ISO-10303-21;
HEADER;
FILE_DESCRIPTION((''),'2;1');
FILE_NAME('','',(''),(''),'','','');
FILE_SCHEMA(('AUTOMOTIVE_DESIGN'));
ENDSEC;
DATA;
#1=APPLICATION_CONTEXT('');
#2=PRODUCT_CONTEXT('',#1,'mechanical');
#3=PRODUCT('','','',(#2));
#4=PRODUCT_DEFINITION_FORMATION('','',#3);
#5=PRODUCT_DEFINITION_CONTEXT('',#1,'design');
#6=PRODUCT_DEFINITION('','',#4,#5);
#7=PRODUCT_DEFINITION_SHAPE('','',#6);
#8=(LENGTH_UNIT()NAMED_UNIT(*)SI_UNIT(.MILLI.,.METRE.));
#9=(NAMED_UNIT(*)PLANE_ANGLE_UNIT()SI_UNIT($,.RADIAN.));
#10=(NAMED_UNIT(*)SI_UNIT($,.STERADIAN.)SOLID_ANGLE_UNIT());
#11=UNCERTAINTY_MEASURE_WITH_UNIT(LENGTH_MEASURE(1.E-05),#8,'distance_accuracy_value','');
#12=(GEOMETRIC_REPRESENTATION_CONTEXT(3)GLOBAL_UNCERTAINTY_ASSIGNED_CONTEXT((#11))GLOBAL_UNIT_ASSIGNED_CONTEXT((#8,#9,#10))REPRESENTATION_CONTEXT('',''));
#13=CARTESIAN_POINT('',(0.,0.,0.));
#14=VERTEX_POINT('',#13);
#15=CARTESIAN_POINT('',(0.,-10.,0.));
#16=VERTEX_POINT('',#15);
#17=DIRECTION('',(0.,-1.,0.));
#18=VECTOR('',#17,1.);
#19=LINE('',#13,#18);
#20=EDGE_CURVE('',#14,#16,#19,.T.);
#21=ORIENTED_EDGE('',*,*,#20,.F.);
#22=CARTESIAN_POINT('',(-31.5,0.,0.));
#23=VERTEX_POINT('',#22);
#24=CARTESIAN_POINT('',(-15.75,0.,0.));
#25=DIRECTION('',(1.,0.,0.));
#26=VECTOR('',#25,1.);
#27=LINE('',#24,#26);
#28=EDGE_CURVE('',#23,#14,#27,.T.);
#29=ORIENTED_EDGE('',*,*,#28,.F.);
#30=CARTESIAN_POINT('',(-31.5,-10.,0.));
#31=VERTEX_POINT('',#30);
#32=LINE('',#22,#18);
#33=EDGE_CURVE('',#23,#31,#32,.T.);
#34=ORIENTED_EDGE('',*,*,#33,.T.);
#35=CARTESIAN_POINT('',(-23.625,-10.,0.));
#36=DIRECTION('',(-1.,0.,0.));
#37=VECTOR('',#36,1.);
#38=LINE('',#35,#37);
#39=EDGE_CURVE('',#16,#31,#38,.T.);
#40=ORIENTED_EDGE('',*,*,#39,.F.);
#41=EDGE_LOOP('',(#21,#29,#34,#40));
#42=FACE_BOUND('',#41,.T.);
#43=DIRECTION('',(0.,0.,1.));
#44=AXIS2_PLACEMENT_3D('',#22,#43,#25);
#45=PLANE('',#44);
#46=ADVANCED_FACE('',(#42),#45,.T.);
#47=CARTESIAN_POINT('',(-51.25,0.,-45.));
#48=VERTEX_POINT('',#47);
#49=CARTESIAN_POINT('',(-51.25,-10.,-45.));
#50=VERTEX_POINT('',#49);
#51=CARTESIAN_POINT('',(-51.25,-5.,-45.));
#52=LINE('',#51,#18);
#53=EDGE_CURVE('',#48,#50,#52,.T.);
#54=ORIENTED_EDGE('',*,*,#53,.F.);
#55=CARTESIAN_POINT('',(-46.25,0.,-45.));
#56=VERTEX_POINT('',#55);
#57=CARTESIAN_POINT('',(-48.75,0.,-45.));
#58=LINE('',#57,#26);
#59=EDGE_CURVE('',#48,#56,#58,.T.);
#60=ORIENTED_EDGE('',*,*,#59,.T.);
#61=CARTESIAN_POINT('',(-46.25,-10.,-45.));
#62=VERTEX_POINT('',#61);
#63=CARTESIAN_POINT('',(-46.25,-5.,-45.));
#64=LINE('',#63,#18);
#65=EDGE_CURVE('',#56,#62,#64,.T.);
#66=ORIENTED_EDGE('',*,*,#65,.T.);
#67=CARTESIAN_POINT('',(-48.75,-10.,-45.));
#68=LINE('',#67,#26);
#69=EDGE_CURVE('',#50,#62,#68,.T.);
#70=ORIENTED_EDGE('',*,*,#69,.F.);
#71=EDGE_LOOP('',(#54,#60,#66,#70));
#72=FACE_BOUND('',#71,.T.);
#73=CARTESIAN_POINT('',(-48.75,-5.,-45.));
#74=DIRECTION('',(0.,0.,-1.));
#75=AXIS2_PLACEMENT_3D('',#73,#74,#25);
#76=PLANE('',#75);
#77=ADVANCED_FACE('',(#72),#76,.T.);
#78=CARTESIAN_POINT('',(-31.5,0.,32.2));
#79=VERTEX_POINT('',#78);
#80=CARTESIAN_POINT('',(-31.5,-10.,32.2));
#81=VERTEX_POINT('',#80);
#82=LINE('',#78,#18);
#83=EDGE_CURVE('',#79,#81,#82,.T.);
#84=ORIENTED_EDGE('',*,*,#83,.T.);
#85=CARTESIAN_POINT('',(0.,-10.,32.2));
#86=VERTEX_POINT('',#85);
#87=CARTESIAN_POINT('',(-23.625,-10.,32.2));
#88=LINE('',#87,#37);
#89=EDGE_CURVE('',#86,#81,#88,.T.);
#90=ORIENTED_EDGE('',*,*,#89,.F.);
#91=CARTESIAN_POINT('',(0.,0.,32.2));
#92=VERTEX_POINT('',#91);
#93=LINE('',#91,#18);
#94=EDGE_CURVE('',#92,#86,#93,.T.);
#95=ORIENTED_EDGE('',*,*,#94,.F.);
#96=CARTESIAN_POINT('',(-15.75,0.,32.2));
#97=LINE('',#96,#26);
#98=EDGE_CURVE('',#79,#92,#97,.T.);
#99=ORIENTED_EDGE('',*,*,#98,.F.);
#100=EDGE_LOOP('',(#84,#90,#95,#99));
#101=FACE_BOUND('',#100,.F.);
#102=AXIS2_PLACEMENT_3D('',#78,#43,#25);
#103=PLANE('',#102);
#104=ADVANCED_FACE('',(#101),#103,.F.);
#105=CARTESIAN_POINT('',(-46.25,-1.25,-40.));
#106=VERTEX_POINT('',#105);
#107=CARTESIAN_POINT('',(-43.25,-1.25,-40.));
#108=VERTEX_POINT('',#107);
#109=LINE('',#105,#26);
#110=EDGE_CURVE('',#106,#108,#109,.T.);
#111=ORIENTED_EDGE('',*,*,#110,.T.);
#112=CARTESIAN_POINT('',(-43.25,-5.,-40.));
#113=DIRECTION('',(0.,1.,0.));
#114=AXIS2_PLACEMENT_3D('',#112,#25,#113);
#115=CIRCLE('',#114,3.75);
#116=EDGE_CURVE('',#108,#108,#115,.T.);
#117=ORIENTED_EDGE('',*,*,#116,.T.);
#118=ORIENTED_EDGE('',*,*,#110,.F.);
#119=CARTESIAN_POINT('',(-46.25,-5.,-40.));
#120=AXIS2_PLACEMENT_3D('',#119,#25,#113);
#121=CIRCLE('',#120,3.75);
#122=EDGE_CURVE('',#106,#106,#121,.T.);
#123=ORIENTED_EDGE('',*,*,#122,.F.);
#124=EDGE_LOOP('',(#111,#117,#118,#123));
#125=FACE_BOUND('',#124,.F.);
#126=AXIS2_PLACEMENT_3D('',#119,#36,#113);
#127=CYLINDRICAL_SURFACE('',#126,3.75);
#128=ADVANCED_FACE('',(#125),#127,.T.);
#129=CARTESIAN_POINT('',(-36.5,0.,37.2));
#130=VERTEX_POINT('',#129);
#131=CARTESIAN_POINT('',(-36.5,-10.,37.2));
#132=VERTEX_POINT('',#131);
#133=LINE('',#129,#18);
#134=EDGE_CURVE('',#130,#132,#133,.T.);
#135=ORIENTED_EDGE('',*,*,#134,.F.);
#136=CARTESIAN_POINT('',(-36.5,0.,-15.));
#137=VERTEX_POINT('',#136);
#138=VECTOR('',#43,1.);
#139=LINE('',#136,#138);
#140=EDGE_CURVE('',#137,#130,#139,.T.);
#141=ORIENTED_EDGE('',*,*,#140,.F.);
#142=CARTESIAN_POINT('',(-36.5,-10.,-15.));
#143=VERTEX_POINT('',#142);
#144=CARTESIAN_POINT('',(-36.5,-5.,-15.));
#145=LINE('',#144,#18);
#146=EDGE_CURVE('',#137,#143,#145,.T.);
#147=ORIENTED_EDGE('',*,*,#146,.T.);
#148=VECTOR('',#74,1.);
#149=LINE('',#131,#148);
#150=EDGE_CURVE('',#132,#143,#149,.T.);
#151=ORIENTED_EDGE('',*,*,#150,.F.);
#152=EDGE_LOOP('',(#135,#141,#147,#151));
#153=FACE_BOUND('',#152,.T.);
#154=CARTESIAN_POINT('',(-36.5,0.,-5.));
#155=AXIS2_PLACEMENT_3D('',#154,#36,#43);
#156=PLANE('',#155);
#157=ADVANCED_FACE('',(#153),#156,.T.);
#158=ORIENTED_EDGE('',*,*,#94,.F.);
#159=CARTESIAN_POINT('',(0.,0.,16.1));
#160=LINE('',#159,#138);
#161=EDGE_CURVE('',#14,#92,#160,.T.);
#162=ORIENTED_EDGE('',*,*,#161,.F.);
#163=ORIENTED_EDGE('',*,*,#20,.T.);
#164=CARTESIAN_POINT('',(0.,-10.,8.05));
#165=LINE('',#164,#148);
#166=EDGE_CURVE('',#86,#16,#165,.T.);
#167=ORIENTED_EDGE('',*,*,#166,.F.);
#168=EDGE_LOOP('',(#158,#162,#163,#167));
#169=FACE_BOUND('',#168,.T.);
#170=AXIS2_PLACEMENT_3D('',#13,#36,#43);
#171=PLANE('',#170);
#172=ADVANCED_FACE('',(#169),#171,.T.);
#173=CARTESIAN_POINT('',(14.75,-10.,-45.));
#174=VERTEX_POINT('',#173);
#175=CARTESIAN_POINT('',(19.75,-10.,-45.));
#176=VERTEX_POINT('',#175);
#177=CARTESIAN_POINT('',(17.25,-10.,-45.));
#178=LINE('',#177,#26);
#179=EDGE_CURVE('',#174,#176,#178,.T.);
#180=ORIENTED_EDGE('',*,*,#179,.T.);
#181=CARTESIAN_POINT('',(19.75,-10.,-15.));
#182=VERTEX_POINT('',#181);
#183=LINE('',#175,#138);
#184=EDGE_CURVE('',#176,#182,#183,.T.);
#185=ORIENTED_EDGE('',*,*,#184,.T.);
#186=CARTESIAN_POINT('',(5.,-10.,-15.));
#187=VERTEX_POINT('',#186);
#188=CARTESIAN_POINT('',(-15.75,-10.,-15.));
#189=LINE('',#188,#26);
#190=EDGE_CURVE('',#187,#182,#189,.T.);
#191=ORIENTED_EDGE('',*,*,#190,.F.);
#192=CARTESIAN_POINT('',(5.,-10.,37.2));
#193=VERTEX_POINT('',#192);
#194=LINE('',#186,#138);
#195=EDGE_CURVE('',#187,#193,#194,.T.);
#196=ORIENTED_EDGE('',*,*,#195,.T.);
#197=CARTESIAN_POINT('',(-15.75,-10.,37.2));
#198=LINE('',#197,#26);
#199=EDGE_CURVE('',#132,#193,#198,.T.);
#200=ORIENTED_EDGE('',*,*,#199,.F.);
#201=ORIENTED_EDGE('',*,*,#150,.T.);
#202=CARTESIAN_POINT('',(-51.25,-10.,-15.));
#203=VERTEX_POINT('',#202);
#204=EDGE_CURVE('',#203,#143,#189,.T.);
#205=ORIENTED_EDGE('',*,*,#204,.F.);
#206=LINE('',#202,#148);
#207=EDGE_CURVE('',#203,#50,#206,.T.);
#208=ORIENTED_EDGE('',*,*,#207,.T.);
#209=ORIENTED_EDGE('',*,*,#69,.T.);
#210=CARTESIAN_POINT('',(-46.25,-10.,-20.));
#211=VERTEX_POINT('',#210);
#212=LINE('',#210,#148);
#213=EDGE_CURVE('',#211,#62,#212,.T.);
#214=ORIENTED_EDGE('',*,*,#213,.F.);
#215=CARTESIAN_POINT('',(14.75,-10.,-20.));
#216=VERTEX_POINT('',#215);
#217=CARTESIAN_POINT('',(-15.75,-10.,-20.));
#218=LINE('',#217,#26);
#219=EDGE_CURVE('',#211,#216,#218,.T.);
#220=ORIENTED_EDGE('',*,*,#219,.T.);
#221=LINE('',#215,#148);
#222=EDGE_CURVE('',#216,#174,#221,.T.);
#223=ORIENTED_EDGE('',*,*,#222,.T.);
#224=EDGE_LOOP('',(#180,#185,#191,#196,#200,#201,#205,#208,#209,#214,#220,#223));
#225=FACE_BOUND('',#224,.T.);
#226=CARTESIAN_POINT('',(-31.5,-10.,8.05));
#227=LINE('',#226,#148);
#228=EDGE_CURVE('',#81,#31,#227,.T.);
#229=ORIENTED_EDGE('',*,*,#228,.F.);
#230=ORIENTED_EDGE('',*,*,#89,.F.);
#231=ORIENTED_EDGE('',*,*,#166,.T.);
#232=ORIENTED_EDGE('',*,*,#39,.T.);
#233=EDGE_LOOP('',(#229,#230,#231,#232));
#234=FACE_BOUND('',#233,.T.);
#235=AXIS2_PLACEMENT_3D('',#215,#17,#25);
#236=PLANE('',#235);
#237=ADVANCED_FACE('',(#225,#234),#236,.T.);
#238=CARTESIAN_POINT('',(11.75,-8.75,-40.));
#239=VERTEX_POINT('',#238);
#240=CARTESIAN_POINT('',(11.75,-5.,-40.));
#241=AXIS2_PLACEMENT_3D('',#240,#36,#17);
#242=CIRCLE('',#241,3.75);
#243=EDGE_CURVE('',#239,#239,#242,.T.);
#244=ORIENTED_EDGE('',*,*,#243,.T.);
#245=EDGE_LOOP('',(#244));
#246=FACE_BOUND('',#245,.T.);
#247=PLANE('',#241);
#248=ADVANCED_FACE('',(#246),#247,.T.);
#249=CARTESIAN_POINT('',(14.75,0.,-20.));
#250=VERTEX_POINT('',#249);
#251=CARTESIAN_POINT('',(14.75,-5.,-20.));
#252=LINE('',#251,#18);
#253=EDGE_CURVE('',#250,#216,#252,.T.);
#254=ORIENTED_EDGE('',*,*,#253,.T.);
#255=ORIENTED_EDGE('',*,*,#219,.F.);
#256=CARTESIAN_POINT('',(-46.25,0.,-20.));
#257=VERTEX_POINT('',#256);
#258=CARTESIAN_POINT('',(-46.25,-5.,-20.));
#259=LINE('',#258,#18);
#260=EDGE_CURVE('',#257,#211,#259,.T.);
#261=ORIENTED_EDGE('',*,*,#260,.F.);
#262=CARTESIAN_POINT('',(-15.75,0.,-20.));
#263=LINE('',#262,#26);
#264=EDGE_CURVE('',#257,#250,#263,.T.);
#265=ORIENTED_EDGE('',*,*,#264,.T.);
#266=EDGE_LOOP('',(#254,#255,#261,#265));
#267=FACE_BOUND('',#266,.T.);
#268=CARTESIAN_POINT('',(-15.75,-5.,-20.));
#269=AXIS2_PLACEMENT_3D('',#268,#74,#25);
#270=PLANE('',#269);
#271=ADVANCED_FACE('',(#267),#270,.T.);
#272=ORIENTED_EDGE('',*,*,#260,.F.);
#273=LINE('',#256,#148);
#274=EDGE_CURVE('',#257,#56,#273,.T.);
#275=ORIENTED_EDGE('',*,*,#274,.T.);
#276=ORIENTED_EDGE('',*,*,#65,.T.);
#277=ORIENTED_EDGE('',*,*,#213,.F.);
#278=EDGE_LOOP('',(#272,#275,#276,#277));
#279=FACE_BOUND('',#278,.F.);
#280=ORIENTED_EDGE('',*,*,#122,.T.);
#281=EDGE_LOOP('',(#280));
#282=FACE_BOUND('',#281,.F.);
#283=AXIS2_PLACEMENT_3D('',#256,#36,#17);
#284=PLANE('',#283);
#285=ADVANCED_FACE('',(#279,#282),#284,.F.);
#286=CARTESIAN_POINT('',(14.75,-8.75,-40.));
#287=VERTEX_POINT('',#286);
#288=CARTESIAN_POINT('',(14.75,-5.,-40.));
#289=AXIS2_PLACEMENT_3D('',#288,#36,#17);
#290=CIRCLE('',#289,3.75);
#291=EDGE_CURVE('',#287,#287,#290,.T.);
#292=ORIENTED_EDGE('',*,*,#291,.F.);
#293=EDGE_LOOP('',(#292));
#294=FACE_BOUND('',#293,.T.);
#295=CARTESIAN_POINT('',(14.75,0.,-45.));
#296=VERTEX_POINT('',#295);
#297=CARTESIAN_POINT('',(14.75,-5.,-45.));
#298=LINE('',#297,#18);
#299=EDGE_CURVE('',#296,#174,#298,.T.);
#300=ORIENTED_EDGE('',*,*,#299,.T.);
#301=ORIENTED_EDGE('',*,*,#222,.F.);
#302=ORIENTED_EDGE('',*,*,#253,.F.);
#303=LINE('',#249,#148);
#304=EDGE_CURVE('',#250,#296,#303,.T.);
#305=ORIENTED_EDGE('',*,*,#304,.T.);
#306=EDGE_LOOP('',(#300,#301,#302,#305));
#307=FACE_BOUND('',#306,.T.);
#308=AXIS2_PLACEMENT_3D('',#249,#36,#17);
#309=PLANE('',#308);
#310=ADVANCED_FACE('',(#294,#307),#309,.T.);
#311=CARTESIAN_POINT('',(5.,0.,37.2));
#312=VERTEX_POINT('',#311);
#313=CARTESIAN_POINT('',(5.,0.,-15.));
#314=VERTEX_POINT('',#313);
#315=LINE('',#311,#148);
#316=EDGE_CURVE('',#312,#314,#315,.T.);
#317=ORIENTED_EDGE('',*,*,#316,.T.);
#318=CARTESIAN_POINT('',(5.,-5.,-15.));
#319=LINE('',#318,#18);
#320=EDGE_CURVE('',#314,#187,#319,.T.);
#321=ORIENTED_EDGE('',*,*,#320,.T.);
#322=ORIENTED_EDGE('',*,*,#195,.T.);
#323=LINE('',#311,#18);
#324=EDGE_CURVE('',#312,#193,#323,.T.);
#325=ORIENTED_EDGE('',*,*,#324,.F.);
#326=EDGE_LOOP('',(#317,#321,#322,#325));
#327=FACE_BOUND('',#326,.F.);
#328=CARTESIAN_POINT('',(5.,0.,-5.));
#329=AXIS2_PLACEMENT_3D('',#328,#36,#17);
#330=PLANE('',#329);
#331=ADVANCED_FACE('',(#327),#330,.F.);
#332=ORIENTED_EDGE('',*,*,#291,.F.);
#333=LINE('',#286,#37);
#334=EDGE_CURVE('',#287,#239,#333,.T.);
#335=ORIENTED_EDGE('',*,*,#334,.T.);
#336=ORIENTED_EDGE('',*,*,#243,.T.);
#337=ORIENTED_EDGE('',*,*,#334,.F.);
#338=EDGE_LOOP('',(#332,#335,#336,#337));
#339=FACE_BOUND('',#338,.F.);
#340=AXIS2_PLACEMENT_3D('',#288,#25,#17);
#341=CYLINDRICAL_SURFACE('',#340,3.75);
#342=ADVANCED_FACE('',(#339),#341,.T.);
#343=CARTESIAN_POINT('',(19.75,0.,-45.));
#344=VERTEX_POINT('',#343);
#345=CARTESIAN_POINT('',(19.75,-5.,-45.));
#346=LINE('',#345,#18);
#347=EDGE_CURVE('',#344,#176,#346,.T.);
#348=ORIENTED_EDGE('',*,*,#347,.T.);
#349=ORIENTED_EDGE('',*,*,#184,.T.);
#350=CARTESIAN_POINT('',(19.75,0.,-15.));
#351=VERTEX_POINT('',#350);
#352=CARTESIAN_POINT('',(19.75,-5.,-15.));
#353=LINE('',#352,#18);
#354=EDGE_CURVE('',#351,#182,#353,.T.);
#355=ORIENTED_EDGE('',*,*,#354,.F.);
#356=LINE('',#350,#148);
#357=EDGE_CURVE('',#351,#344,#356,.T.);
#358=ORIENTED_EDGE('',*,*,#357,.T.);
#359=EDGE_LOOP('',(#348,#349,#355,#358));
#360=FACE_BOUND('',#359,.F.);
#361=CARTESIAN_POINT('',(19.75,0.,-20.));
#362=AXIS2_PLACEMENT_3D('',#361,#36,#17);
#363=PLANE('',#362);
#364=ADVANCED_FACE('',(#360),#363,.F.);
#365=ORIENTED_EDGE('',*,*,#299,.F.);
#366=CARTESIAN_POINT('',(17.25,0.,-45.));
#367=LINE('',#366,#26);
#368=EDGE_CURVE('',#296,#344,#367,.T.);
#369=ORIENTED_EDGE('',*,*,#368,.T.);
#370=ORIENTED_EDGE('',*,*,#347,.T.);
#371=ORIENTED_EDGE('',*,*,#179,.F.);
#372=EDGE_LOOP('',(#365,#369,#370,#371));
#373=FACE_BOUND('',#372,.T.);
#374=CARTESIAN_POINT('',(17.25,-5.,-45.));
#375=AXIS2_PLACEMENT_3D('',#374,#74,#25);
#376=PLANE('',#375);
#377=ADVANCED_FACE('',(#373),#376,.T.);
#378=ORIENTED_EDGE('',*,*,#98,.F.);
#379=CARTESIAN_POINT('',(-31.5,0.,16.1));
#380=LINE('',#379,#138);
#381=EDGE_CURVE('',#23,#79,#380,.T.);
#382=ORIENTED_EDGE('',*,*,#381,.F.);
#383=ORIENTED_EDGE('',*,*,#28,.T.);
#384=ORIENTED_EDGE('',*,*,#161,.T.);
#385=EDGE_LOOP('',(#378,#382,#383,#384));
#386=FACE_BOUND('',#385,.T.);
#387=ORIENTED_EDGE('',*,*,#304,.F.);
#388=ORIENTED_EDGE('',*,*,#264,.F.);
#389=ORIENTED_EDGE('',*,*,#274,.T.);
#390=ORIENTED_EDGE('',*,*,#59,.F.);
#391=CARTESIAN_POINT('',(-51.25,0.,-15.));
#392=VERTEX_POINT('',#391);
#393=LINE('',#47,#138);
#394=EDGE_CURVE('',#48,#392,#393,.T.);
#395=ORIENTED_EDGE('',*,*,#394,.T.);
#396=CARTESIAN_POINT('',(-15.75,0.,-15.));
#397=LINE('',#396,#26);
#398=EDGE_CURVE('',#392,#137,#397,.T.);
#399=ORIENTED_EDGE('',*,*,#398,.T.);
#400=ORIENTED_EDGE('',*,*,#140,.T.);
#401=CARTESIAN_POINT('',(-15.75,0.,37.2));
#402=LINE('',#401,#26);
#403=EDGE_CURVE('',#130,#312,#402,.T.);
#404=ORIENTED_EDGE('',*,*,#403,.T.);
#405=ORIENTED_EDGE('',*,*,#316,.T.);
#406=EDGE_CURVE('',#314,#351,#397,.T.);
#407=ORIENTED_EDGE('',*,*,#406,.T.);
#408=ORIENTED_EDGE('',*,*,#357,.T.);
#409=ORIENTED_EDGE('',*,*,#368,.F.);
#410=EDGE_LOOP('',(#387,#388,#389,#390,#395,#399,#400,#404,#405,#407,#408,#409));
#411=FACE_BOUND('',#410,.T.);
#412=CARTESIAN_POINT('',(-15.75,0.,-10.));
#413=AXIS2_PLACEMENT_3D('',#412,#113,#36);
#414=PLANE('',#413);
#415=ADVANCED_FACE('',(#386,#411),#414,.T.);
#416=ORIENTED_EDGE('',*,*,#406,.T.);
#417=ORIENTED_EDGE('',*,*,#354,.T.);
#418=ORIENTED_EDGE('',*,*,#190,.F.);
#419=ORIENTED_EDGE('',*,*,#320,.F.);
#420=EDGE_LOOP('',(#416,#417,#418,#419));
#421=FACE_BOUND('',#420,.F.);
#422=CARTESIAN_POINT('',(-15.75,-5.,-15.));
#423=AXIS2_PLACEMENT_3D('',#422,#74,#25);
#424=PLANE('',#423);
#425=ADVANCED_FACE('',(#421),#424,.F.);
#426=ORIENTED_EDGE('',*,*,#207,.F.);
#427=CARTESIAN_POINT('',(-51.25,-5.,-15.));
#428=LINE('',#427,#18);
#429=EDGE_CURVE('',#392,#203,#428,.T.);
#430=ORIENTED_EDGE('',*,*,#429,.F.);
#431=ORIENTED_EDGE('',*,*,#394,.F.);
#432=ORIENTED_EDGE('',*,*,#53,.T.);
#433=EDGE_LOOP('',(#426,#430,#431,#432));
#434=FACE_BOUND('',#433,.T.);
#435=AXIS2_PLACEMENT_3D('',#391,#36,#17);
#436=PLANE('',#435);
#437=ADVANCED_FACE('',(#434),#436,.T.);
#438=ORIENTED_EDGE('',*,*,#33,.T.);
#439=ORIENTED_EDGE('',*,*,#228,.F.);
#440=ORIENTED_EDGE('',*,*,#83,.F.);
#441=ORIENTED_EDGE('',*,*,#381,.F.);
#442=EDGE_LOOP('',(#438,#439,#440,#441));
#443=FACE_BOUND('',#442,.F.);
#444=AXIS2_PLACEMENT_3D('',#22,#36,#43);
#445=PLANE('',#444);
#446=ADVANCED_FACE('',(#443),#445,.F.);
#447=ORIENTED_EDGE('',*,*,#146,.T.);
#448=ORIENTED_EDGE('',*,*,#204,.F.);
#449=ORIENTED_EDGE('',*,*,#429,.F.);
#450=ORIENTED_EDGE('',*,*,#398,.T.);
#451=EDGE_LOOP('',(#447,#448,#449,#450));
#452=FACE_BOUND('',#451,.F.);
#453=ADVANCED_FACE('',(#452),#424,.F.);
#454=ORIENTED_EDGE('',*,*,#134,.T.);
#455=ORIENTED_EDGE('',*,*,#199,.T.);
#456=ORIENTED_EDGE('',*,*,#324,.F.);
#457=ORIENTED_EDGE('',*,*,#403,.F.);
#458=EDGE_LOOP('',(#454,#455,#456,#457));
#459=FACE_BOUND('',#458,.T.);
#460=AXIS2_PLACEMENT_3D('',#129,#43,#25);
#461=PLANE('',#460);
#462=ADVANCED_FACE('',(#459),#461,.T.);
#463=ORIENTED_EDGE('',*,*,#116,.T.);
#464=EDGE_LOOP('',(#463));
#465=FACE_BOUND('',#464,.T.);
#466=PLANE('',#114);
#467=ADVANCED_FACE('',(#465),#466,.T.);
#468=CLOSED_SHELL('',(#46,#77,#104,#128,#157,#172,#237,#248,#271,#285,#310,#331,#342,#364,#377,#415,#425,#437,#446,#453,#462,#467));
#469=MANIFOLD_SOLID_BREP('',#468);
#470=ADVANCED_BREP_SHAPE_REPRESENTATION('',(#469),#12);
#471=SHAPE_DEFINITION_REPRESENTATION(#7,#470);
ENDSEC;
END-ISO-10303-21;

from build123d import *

# Parameters (mm, degrees)
F1_W      = 41.5
F1_H      = 42.2
F2_DEPTH  = 10
F0_W      = 31.5
F0_H      = 32.2
F3_DEPTH  = 25
F4_W      = 5
F4_H      = 10
F5_DEPTH  = 10
F6_W      = 71
F6_H      = 10
F7_DEPTH  = 5
F8_W      = 5
F8_H      = 10
F9_DEPTH  = 25
F11_R     = 3.75
F12_DEPTH = 3
F13_W     = 31.5
F13_H     = 10
F14_DEPTH = 10
F10_R     = 3.75
F15_DEPTH = 3


with BuildPart() as f2:
    # F1 (on Front) → F2 (new body)
    with BuildSketch(Plane.XZ):
        with Locations((-15.75, 16.1)):
            Rectangle(F1_W, F1_H)
    extrude(amount=F2_DEPTH)

    # F0 (on Front) → F3 (cut)
    with BuildSketch(Plane.XZ):
        with Locations((-15.75, 16.1)):
            Rectangle(F0_W, F0_H)
    extrude(amount=F3_DEPTH, mode=Mode.SUBTRACT)

    # F4 (on face) → F5 (join)
    with BuildSketch(Plane(origin=(0, 0, -5), x_dir=(1, 0, 0), z_dir=(0, 0, -1))):
        with Locations((2.5, 5)):
            Rectangle(F4_W, F4_H)
        with Locations((-34, 5)):
            Rectangle(F4_W, F4_H)
    extrude(amount=F5_DEPTH)

    # F6 (on face) → F7 (join)
    with BuildSketch(Plane(origin=(0, 0, -15), x_dir=(1, 0, 0), z_dir=(0, 0, -1))):
        with Locations((-15.75, 5)):
            Rectangle(F6_W, F6_H)
    extrude(amount=F7_DEPTH)

    # F8 (on face) → F9 (join)
    with BuildSketch(Plane(origin=(0, 0, -20), x_dir=(1, 0, 0), z_dir=(0, 0, -1))):
        with Locations((17.25, 5)):
            Rectangle(F8_W, F8_H)
        with Locations((-48.75, 5)):
            Rectangle(F8_W, F8_H)
    extrude(amount=F9_DEPTH)

    # F11 (on face) → F12 (join)
    with BuildSketch(Plane.YZ.offset(-46.25)):
        with Locations((-5, -40)):
            Circle(F11_R)
    extrude(amount=F12_DEPTH)

    # F13 (on face) → F14 (join)
    with BuildSketch(Plane(origin=(0, 0, 0), x_dir=(-1, 0, 0), z_dir=(0, 1, 0))):
        with Locations((15.75, -10)):
            Rectangle(F13_W, F13_H)
    extrude(amount=-F14_DEPTH)

    # F10 (on face) → F15 (join)
    with BuildSketch(Plane(origin=(14.75, 0, 0), x_dir=(0, -1, 0), z_dir=(-1, 0, 0))):
        with Locations((5, -40)):
            Circle(F10_R)
    extrude(amount=F15_DEPTH)


solid = f2.part
